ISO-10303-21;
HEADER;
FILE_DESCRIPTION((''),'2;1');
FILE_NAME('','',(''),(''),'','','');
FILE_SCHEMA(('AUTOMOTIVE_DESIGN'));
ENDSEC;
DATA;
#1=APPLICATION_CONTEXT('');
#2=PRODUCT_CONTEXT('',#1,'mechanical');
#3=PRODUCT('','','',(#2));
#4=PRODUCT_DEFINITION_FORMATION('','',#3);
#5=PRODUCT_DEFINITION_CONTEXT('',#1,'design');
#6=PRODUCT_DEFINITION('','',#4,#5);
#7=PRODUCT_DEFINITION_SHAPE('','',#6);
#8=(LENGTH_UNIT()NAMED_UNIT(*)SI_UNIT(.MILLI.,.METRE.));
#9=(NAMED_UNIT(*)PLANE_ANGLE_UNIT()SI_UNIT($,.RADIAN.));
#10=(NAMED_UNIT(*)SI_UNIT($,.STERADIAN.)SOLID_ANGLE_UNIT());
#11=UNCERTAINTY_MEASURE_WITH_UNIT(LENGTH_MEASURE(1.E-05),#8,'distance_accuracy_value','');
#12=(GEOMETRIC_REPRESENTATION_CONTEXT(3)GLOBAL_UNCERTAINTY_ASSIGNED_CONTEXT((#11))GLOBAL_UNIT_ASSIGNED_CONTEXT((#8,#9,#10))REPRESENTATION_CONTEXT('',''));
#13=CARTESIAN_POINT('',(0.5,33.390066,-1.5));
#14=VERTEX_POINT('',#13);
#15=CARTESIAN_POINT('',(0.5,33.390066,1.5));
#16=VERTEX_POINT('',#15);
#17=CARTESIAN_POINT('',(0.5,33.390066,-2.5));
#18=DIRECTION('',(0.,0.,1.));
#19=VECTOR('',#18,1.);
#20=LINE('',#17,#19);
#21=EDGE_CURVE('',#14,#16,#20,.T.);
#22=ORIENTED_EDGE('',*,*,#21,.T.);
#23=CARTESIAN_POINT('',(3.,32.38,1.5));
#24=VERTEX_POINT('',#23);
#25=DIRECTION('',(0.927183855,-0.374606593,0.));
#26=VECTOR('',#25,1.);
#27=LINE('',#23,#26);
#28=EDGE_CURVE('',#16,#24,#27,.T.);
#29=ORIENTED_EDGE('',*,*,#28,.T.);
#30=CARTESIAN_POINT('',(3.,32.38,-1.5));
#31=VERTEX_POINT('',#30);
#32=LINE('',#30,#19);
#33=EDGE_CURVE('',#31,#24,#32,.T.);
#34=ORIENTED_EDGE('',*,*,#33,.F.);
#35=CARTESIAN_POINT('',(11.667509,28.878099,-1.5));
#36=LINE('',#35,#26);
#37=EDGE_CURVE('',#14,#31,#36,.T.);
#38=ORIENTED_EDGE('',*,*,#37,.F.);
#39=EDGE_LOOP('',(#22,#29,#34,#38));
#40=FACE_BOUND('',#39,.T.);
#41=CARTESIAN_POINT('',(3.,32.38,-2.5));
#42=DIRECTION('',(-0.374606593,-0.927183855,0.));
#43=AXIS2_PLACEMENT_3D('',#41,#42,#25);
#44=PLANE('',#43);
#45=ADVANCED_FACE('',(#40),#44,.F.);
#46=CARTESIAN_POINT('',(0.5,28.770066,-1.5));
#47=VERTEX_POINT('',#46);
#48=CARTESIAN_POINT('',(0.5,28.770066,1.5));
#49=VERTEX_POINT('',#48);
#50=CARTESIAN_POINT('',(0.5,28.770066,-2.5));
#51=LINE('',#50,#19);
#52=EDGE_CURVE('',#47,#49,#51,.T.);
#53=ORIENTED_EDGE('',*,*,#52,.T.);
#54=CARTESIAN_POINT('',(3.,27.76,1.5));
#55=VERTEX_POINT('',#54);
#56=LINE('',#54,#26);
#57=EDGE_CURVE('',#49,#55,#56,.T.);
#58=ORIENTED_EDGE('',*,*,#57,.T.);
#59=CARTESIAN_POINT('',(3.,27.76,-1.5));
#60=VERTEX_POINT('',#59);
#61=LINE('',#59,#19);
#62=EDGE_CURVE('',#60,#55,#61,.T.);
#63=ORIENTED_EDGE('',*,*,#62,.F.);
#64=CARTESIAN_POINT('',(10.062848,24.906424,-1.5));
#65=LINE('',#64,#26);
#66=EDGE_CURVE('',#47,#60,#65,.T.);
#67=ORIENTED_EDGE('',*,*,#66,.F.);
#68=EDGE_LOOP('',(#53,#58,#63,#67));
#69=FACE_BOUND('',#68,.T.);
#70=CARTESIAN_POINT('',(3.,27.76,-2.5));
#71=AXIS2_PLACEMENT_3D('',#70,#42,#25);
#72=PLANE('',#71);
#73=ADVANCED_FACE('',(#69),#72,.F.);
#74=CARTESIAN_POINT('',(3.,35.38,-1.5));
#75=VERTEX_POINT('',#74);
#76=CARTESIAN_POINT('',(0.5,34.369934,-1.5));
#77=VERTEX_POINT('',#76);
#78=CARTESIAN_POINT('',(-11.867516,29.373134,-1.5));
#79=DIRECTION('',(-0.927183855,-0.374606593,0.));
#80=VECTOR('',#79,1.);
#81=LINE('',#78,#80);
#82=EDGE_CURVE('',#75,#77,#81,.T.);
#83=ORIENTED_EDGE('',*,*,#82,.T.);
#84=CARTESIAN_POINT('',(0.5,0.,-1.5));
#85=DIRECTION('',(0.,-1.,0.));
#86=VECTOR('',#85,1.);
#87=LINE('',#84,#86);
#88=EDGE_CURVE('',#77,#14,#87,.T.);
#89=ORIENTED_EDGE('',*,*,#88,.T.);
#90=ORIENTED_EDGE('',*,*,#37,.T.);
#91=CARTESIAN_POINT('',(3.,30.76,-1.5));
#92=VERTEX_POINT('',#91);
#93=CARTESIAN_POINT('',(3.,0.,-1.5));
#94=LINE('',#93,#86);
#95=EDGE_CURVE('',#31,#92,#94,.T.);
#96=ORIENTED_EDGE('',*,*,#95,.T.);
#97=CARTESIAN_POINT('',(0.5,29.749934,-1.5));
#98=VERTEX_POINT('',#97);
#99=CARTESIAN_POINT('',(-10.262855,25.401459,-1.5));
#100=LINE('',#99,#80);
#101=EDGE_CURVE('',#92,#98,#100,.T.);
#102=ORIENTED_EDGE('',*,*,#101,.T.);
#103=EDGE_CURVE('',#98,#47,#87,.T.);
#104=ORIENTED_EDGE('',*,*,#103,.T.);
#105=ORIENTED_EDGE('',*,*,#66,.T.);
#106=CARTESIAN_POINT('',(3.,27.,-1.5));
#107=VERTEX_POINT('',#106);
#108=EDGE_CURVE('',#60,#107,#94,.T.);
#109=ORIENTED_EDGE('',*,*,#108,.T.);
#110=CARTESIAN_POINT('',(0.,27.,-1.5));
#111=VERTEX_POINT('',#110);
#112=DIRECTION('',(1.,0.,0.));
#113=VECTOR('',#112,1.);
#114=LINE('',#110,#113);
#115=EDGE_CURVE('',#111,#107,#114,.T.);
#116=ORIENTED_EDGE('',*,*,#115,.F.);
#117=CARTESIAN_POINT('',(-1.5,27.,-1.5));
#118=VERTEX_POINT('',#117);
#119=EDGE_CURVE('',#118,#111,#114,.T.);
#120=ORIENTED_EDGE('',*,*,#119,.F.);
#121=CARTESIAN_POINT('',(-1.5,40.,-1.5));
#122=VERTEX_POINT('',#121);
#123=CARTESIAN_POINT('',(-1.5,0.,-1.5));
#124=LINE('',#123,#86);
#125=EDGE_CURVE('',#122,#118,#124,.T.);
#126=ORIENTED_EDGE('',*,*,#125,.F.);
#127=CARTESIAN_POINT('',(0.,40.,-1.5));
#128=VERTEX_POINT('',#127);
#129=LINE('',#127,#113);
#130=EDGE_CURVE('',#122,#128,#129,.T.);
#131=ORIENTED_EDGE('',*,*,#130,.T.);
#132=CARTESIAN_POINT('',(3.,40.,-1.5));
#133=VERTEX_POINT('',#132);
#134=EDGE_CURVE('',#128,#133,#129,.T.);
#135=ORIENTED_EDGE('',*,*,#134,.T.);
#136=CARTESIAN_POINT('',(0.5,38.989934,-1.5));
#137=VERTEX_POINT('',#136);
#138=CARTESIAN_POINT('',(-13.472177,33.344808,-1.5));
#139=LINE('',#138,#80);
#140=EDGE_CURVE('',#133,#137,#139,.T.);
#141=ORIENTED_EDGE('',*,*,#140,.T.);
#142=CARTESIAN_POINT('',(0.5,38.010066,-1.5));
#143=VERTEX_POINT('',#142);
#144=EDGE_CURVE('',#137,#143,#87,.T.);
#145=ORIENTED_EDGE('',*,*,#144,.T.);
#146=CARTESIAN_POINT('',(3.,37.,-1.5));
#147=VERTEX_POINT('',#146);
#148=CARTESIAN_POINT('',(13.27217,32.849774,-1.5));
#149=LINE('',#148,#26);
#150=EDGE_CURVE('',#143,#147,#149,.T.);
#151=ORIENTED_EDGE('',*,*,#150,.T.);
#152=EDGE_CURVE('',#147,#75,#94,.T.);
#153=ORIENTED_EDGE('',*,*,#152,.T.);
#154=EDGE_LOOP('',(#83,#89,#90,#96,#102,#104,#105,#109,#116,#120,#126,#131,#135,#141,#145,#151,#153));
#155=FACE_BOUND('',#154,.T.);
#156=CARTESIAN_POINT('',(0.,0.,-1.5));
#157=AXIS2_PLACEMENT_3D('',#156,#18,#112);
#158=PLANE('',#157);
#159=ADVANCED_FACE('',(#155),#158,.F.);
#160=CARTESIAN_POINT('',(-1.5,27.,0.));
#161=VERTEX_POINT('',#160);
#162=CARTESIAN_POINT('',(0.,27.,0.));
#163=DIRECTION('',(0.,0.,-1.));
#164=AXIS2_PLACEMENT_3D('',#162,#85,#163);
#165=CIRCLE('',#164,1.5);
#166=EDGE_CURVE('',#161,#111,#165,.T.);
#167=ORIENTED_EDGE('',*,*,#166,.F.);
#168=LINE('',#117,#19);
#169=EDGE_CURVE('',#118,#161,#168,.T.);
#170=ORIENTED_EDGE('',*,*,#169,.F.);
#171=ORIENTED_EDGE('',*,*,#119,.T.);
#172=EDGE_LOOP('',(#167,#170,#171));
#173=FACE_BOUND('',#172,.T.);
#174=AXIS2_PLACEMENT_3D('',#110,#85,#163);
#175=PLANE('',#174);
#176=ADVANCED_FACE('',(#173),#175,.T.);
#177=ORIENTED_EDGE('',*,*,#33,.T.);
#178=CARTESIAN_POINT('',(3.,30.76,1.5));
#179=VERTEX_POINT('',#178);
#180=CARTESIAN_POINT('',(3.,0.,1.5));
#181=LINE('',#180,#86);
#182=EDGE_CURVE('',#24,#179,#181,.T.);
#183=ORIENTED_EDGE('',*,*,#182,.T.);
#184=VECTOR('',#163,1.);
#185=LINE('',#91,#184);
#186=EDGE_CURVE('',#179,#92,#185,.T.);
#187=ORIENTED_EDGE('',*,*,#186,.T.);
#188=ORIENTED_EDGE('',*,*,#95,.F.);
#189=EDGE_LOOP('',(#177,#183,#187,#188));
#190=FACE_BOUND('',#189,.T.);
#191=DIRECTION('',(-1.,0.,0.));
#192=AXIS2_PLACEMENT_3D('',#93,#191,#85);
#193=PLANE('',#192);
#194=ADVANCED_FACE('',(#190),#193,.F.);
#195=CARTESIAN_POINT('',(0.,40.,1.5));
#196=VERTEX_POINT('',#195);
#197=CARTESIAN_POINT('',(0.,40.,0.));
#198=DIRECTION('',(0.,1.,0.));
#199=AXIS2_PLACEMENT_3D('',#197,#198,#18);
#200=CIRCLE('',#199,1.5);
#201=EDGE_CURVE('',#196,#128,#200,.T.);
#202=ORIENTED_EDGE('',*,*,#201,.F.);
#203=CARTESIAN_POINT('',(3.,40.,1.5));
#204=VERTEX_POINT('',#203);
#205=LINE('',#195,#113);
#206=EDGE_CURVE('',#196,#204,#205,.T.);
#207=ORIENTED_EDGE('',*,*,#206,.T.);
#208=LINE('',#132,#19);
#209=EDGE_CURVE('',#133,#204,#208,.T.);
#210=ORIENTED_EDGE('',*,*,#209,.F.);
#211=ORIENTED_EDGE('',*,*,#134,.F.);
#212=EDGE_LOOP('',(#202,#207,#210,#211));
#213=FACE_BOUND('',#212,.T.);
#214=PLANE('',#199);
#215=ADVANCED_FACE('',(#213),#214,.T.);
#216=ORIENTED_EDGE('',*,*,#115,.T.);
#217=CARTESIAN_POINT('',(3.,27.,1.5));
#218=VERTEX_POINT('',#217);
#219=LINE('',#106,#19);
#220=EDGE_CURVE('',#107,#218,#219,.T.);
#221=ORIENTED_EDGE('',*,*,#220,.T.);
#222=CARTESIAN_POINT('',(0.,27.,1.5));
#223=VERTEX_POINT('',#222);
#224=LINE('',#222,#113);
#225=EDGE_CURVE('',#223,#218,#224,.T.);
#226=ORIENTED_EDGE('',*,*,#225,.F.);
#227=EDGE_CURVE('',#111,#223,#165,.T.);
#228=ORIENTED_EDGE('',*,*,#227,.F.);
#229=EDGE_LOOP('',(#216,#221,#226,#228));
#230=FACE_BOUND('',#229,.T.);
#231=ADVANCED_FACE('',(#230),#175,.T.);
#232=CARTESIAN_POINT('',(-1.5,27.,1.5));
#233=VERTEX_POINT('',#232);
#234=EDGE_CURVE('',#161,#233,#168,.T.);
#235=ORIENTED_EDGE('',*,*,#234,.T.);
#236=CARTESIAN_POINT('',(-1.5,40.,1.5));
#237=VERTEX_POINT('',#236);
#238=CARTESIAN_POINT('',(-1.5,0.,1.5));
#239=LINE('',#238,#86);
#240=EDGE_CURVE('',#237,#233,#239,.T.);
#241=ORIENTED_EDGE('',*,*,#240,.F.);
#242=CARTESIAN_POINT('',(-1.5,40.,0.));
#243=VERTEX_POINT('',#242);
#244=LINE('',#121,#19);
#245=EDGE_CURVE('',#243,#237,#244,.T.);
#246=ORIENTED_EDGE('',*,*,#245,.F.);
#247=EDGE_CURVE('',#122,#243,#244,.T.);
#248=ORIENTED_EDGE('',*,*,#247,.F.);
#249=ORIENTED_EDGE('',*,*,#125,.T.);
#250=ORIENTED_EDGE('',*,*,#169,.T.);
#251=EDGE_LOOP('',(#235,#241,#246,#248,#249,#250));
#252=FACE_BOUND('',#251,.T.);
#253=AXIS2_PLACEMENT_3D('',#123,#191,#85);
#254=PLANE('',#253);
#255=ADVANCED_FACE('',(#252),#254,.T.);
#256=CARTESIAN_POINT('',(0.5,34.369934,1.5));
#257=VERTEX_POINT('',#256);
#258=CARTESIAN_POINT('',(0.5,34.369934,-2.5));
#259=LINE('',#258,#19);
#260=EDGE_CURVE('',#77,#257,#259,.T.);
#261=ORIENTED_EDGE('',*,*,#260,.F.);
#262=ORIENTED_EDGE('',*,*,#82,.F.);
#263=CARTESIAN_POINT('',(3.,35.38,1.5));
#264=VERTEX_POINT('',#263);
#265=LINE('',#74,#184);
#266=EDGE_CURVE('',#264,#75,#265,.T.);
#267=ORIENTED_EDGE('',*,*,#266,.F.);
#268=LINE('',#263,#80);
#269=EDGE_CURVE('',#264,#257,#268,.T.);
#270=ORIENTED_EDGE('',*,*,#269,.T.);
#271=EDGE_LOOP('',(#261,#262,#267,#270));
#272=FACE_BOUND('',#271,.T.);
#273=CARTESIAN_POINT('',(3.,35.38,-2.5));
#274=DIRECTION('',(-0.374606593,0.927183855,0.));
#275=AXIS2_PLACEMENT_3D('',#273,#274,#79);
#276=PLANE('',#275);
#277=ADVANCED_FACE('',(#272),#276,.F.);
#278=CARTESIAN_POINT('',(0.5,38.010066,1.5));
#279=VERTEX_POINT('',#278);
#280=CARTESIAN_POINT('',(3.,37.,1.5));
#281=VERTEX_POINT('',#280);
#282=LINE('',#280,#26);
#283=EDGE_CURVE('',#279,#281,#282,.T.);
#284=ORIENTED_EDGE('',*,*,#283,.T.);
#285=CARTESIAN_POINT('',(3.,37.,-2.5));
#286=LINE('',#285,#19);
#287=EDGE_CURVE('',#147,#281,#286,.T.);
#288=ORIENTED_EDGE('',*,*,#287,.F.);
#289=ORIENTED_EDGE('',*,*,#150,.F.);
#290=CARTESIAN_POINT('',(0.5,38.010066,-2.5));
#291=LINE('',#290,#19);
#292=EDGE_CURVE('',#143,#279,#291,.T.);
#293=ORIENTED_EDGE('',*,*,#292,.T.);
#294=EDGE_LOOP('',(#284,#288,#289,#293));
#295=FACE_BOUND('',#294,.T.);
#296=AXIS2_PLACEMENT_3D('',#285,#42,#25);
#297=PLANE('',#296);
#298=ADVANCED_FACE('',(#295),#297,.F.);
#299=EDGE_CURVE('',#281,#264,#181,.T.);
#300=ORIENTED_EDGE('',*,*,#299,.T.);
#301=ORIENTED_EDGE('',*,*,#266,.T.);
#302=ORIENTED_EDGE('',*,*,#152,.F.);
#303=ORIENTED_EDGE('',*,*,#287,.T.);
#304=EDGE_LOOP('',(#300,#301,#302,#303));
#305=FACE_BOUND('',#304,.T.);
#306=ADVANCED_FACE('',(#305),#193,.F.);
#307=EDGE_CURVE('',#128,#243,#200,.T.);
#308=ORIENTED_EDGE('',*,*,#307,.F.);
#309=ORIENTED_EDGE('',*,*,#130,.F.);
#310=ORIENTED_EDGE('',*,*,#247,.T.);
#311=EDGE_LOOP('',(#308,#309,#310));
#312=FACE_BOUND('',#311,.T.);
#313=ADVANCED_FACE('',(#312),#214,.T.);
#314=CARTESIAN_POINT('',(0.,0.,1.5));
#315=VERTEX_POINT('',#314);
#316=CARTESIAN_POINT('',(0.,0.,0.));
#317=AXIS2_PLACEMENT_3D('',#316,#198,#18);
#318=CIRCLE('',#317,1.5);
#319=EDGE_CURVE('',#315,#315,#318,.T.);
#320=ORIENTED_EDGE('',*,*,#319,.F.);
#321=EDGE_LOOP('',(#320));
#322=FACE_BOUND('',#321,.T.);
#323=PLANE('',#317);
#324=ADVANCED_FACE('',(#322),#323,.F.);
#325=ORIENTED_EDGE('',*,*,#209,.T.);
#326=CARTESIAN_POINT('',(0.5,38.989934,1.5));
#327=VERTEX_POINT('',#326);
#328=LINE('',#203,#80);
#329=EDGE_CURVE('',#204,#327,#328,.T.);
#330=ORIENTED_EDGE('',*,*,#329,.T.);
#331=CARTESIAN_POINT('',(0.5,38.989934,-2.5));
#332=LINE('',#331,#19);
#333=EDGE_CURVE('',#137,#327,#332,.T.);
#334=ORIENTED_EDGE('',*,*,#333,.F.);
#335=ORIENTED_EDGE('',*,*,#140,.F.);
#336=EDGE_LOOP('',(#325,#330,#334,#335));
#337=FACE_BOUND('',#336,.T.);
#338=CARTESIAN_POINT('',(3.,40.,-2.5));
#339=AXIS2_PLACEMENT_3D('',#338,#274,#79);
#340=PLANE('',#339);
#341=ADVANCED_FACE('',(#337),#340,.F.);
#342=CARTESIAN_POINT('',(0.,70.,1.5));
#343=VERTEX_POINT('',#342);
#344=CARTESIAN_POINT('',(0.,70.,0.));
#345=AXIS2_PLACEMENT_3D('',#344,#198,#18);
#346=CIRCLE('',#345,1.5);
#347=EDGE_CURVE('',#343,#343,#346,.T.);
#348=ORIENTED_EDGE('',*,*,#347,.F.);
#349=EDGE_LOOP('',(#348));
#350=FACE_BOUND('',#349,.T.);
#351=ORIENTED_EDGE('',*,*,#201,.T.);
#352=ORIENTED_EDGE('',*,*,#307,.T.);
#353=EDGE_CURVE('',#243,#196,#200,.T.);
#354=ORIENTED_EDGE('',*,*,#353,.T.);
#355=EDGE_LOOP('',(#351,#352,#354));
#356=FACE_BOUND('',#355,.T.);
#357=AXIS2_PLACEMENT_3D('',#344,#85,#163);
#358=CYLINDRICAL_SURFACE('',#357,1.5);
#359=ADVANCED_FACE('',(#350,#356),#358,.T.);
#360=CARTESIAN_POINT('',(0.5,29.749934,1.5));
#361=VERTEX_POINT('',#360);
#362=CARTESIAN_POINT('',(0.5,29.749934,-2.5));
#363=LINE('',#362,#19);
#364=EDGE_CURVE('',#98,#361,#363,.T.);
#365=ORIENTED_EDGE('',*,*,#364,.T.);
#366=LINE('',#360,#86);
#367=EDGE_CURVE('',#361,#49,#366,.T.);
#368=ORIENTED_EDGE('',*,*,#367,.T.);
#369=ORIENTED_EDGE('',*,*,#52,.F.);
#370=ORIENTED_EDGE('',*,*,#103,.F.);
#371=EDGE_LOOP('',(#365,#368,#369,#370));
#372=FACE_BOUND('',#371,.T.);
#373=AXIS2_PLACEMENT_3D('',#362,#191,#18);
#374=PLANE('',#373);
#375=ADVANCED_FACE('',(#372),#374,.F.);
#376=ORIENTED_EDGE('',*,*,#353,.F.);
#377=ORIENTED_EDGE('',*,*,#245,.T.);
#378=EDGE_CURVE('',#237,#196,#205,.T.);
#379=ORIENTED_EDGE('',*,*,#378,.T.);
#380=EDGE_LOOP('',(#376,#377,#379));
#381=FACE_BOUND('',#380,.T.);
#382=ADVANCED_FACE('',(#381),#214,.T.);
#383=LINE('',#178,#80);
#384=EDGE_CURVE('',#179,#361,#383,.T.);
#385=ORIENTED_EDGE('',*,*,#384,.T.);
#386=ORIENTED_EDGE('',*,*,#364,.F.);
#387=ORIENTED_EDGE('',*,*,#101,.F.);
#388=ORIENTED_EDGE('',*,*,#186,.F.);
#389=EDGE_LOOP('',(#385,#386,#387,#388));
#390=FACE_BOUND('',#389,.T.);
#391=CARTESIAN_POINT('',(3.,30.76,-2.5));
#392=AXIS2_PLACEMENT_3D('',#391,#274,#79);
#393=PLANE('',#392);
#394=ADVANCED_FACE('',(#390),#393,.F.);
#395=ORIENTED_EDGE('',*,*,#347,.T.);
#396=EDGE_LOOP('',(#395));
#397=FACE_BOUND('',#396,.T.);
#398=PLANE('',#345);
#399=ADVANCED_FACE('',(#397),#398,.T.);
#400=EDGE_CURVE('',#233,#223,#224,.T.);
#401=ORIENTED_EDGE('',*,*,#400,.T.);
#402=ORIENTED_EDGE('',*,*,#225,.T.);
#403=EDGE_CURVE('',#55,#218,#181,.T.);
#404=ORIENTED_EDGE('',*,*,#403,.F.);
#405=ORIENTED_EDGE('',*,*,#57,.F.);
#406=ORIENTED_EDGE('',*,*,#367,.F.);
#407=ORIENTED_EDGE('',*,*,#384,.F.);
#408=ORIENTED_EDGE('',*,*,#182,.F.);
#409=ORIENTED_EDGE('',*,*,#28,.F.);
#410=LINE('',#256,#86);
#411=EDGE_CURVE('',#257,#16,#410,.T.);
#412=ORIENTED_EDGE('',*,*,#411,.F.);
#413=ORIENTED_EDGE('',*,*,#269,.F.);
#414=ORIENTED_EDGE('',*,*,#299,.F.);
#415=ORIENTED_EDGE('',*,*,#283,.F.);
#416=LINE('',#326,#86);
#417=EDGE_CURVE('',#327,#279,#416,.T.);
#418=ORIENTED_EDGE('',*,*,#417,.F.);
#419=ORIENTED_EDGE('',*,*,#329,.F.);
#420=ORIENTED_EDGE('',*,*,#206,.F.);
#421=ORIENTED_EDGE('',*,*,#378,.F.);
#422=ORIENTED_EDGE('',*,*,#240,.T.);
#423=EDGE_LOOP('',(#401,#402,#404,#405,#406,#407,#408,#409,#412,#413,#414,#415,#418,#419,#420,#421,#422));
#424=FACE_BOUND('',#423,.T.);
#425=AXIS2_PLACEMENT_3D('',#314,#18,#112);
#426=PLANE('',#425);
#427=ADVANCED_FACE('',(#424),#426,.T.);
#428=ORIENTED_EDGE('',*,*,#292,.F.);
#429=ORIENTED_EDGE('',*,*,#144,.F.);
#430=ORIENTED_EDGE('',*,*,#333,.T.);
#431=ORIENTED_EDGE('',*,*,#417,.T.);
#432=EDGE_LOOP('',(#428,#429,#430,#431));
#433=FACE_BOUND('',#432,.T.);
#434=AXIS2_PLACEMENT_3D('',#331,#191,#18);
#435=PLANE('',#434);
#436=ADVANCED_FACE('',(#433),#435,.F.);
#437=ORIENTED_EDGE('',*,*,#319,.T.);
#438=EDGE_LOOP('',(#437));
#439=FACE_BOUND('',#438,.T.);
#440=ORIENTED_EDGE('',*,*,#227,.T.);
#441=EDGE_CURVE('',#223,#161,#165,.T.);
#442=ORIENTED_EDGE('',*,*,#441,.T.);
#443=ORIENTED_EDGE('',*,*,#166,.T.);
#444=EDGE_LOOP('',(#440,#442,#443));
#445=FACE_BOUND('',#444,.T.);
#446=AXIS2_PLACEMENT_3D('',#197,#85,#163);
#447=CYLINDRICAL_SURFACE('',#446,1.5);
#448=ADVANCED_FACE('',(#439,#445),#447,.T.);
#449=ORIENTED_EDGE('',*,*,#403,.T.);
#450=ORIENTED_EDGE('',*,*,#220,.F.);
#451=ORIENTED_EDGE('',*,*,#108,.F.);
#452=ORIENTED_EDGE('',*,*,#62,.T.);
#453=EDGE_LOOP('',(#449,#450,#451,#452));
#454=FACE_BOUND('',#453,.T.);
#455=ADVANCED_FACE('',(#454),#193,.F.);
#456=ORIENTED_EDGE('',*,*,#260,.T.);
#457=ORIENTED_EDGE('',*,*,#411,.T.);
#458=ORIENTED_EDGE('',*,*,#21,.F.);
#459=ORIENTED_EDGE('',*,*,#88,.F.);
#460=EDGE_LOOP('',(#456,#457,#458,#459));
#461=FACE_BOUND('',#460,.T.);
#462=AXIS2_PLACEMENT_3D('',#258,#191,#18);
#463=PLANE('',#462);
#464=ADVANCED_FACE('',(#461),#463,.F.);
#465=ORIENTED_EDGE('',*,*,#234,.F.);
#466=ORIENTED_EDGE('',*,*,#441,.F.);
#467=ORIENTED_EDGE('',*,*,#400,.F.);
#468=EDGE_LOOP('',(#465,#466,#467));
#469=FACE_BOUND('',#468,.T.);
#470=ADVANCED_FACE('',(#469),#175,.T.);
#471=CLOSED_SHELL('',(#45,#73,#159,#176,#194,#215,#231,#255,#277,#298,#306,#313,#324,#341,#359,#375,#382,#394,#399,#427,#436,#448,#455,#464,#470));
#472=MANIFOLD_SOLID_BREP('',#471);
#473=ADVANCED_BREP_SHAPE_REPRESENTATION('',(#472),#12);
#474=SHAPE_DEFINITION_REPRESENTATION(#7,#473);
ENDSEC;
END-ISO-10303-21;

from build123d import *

# Parameters (mm, degrees)
SKETCH1_R                = 1.5
BOSS_EXTRUDE1_DEPTH      = 40
BOSS_EXTRUDE2_DEPTH      = 1.5
BOSS_EXTRUDE2_DEPTH_BACK = 1.5
SKETCH6_W                = 4.5
SKETCH6_H                = 13
CUT_EXTRUDE2_DEPTH       = 4
SKETCH13_R               = 1.5
BOSS_EXTRUDE3_DEPTH      = 30


with BuildPart() as part:
    # Sketch1 → Boss-Extrude1 (new body)
    with BuildSketch(Plane(origin=(0, 0, 0), x_dir=(1, 0, 0), z_dir=(0, 1, 0))):
        Circle(SKETCH1_R)
    extrude(amount=BOSS_EXTRUDE1_DEPTH)

    # Sketch6 → Boss-Extrude2 (add, two sides: drawn at the far end of the back side and taken through both)
    with BuildSketch(Plane.XY.offset(-BOSS_EXTRUDE2_DEPTH_BACK)):
        with Locations((0.75, 33.5)):
            Rectangle(SKETCH6_W, SKETCH6_H)
    extrude(amount=BOSS_EXTRUDE2_DEPTH + BOSS_EXTRUDE2_DEPTH_BACK)

    # Sketch12 → Cut-Extrude2 (cut)
    with BuildSketch(Plane.XY.offset(1.5)):
        Polygon((3, 40), (3, 37), (0.5, 38.010065565), (0.5, 38.989934435), align=None)
        Polygon((0.5, 34.369934435), (0.5, 33.390065565), (3, 32.38), (3, 35.38), align=None)
        Polygon((0.5, 29.749934435), (0.5, 28.770065565), (3, 27.76), (3, 30.76), align=None)
    extrude(amount=-CUT_EXTRUDE2_DEPTH, mode=Mode.SUBTRACT)

    # Sketch13 → Boss-Extrude3 (add)
    with BuildSketch(Plane(origin=(0, 40, 0), x_dir=(1, 0, 0), z_dir=(0, 1, 0))):
        Circle(SKETCH13_R)
    extrude(amount=BOSS_EXTRUDE3_DEPTH)


solid = part.part
